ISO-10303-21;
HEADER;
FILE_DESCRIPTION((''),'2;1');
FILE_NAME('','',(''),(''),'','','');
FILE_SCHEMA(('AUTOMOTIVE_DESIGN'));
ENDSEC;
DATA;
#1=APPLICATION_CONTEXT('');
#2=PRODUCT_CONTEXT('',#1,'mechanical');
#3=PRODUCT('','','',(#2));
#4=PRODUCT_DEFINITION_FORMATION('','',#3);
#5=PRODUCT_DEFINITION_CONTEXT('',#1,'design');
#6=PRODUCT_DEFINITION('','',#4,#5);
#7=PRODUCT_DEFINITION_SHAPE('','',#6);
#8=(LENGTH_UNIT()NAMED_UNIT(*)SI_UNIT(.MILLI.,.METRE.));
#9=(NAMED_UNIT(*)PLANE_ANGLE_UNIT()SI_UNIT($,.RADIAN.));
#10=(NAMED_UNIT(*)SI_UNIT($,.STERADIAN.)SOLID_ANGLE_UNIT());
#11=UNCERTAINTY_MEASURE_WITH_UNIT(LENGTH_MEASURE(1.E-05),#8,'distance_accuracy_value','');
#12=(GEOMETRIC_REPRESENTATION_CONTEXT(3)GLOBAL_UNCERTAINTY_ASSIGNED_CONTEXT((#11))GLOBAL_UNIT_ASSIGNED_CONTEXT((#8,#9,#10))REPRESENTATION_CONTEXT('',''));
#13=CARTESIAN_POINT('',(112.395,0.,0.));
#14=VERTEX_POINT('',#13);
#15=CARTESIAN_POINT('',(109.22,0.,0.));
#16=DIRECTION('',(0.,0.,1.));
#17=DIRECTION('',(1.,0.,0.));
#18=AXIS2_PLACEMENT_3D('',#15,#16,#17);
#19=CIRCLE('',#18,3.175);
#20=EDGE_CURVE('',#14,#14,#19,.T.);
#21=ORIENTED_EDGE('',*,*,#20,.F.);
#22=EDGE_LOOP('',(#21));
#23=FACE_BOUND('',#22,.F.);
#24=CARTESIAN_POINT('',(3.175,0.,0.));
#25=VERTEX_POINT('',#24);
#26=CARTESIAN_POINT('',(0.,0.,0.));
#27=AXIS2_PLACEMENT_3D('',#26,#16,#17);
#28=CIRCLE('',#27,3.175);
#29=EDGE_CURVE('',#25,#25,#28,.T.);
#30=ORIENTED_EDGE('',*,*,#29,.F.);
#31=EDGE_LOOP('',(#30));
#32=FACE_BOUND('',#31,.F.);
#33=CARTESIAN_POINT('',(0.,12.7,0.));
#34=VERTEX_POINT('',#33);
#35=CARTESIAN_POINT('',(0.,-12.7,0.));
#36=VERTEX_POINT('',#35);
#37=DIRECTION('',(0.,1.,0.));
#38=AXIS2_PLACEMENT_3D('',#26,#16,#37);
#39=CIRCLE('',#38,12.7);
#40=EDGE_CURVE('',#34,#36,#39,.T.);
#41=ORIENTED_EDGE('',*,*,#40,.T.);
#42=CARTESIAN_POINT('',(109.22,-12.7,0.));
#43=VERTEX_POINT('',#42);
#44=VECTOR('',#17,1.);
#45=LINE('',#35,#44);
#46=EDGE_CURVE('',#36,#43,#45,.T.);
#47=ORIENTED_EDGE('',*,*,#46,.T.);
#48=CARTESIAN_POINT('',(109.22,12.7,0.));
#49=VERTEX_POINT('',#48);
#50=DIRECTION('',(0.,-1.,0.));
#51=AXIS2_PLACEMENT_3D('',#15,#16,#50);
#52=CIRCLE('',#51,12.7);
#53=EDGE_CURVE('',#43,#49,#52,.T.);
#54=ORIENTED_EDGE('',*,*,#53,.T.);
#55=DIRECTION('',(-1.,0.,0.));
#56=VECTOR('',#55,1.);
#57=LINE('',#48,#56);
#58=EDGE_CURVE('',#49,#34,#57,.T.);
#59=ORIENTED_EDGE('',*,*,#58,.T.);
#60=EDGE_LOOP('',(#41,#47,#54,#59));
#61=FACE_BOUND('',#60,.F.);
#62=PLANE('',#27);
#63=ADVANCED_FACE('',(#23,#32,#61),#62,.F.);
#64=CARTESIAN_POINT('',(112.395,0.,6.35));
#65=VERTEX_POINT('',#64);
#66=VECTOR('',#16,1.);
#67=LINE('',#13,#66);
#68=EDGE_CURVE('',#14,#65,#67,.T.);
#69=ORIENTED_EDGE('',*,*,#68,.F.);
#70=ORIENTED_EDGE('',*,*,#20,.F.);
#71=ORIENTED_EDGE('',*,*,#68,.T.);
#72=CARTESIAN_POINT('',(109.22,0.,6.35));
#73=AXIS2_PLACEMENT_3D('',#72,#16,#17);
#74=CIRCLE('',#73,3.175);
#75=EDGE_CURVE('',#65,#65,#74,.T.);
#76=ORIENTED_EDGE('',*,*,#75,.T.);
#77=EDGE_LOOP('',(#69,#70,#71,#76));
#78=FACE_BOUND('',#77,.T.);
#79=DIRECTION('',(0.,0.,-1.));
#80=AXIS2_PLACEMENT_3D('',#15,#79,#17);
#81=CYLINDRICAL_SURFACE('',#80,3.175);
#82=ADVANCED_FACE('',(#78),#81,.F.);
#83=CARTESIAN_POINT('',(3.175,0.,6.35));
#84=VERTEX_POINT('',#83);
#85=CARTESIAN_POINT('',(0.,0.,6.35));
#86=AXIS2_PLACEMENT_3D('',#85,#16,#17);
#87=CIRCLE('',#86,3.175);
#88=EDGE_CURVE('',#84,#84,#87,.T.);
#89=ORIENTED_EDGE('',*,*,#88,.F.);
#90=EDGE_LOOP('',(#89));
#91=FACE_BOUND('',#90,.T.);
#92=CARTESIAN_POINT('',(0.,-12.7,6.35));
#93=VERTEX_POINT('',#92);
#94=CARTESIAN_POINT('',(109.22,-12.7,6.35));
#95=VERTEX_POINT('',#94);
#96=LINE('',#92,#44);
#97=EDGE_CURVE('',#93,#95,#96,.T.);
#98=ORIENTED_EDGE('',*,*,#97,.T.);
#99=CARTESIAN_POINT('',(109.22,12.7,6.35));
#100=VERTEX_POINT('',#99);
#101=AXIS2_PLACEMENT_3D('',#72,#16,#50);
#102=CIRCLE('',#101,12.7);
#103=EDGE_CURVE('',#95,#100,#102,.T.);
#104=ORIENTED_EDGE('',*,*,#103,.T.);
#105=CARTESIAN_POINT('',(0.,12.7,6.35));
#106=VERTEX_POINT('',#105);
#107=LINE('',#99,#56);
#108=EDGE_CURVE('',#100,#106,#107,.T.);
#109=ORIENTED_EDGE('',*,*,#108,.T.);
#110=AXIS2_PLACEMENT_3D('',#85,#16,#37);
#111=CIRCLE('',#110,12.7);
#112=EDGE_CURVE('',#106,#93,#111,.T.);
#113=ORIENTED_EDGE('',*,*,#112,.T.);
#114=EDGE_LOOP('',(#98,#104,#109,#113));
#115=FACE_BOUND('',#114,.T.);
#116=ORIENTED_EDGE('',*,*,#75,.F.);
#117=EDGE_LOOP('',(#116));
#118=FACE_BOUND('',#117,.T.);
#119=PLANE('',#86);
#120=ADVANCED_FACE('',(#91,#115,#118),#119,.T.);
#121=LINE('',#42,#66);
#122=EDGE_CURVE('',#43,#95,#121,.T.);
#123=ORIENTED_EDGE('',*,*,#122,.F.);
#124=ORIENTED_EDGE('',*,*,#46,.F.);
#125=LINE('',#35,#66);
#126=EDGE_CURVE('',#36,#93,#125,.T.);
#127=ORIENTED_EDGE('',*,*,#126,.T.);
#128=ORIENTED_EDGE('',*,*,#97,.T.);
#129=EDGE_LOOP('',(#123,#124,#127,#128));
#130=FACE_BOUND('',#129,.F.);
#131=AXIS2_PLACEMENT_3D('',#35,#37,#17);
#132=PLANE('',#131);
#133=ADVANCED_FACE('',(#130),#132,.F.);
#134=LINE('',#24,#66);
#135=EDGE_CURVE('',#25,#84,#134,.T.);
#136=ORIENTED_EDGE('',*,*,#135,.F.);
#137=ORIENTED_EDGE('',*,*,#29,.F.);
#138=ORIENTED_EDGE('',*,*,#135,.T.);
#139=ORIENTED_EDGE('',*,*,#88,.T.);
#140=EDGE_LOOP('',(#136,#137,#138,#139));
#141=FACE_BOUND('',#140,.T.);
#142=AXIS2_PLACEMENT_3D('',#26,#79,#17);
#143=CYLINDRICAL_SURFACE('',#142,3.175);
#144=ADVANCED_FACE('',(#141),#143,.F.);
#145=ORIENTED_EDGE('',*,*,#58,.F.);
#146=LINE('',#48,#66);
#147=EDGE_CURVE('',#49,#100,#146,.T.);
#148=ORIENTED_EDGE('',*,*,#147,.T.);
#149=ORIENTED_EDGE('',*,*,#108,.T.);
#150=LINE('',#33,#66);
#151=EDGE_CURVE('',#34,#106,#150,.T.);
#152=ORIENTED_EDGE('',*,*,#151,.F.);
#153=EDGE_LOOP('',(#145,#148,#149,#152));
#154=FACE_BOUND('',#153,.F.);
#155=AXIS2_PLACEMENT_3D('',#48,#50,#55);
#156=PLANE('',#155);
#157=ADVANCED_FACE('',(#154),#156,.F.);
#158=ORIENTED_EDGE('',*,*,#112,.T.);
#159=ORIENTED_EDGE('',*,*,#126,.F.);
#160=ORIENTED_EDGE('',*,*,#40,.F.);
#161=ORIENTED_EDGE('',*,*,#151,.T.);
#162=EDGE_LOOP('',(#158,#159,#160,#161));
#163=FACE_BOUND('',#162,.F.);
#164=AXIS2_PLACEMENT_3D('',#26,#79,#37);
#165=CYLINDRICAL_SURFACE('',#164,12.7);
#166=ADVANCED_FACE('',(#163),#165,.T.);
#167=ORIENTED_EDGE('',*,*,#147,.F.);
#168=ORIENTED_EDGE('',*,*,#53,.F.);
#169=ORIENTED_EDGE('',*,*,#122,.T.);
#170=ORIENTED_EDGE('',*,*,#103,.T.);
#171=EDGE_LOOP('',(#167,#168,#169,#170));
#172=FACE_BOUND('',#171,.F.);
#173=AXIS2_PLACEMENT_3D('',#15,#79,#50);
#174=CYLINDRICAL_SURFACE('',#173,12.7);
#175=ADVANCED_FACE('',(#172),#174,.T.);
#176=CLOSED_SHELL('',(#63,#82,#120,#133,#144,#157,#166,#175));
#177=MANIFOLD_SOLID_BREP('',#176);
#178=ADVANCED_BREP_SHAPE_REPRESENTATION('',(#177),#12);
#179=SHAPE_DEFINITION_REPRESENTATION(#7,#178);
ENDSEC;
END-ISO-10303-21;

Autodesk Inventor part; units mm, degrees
ref_plane "YZ Plane" through (0, 0, 0) normal (1, 0, 0) x (0, 1, 0)
ref_plane "XZ Plane" through (0, 0, 0) normal (0, 1, 0) x (-1, 0, 0)
ref_plane "XY Plane" through (0, 0, 0) normal (0, 0, 1) x (1, 0, 0)
sketch "Sketch1" plane through (0, 0, 0) normal (0, 0, 1) x (1, 0, 0)
  line L0 (0, 0) -> (109.22, 0) construction
  line L1 (0, -12.7) -> (109.22, -12.7)
  line L2 (109.22, 12.7) -> (0, 12.7)
  arc A0 (0, 12.7) -> (0, -12.7) centre (0, 0) ccw
  arc A1 (109.22, -12.7) -> (109.22, 12.7) centre (109.22, 0) ccw
  circle A2 centre (0, 0) radius 3.175
  circle A3 centre (109.22, 0) radius 3.175
  point P0 (54.61, 0)
  dimension "d0" = 25.4
  dimension "d1" = 109.22
  dimension "d2" = 6.35
extrude "Extrusion1" add sketch "Sketch1" along normal blind 6.35
properties part number "ScissorHookBar"
